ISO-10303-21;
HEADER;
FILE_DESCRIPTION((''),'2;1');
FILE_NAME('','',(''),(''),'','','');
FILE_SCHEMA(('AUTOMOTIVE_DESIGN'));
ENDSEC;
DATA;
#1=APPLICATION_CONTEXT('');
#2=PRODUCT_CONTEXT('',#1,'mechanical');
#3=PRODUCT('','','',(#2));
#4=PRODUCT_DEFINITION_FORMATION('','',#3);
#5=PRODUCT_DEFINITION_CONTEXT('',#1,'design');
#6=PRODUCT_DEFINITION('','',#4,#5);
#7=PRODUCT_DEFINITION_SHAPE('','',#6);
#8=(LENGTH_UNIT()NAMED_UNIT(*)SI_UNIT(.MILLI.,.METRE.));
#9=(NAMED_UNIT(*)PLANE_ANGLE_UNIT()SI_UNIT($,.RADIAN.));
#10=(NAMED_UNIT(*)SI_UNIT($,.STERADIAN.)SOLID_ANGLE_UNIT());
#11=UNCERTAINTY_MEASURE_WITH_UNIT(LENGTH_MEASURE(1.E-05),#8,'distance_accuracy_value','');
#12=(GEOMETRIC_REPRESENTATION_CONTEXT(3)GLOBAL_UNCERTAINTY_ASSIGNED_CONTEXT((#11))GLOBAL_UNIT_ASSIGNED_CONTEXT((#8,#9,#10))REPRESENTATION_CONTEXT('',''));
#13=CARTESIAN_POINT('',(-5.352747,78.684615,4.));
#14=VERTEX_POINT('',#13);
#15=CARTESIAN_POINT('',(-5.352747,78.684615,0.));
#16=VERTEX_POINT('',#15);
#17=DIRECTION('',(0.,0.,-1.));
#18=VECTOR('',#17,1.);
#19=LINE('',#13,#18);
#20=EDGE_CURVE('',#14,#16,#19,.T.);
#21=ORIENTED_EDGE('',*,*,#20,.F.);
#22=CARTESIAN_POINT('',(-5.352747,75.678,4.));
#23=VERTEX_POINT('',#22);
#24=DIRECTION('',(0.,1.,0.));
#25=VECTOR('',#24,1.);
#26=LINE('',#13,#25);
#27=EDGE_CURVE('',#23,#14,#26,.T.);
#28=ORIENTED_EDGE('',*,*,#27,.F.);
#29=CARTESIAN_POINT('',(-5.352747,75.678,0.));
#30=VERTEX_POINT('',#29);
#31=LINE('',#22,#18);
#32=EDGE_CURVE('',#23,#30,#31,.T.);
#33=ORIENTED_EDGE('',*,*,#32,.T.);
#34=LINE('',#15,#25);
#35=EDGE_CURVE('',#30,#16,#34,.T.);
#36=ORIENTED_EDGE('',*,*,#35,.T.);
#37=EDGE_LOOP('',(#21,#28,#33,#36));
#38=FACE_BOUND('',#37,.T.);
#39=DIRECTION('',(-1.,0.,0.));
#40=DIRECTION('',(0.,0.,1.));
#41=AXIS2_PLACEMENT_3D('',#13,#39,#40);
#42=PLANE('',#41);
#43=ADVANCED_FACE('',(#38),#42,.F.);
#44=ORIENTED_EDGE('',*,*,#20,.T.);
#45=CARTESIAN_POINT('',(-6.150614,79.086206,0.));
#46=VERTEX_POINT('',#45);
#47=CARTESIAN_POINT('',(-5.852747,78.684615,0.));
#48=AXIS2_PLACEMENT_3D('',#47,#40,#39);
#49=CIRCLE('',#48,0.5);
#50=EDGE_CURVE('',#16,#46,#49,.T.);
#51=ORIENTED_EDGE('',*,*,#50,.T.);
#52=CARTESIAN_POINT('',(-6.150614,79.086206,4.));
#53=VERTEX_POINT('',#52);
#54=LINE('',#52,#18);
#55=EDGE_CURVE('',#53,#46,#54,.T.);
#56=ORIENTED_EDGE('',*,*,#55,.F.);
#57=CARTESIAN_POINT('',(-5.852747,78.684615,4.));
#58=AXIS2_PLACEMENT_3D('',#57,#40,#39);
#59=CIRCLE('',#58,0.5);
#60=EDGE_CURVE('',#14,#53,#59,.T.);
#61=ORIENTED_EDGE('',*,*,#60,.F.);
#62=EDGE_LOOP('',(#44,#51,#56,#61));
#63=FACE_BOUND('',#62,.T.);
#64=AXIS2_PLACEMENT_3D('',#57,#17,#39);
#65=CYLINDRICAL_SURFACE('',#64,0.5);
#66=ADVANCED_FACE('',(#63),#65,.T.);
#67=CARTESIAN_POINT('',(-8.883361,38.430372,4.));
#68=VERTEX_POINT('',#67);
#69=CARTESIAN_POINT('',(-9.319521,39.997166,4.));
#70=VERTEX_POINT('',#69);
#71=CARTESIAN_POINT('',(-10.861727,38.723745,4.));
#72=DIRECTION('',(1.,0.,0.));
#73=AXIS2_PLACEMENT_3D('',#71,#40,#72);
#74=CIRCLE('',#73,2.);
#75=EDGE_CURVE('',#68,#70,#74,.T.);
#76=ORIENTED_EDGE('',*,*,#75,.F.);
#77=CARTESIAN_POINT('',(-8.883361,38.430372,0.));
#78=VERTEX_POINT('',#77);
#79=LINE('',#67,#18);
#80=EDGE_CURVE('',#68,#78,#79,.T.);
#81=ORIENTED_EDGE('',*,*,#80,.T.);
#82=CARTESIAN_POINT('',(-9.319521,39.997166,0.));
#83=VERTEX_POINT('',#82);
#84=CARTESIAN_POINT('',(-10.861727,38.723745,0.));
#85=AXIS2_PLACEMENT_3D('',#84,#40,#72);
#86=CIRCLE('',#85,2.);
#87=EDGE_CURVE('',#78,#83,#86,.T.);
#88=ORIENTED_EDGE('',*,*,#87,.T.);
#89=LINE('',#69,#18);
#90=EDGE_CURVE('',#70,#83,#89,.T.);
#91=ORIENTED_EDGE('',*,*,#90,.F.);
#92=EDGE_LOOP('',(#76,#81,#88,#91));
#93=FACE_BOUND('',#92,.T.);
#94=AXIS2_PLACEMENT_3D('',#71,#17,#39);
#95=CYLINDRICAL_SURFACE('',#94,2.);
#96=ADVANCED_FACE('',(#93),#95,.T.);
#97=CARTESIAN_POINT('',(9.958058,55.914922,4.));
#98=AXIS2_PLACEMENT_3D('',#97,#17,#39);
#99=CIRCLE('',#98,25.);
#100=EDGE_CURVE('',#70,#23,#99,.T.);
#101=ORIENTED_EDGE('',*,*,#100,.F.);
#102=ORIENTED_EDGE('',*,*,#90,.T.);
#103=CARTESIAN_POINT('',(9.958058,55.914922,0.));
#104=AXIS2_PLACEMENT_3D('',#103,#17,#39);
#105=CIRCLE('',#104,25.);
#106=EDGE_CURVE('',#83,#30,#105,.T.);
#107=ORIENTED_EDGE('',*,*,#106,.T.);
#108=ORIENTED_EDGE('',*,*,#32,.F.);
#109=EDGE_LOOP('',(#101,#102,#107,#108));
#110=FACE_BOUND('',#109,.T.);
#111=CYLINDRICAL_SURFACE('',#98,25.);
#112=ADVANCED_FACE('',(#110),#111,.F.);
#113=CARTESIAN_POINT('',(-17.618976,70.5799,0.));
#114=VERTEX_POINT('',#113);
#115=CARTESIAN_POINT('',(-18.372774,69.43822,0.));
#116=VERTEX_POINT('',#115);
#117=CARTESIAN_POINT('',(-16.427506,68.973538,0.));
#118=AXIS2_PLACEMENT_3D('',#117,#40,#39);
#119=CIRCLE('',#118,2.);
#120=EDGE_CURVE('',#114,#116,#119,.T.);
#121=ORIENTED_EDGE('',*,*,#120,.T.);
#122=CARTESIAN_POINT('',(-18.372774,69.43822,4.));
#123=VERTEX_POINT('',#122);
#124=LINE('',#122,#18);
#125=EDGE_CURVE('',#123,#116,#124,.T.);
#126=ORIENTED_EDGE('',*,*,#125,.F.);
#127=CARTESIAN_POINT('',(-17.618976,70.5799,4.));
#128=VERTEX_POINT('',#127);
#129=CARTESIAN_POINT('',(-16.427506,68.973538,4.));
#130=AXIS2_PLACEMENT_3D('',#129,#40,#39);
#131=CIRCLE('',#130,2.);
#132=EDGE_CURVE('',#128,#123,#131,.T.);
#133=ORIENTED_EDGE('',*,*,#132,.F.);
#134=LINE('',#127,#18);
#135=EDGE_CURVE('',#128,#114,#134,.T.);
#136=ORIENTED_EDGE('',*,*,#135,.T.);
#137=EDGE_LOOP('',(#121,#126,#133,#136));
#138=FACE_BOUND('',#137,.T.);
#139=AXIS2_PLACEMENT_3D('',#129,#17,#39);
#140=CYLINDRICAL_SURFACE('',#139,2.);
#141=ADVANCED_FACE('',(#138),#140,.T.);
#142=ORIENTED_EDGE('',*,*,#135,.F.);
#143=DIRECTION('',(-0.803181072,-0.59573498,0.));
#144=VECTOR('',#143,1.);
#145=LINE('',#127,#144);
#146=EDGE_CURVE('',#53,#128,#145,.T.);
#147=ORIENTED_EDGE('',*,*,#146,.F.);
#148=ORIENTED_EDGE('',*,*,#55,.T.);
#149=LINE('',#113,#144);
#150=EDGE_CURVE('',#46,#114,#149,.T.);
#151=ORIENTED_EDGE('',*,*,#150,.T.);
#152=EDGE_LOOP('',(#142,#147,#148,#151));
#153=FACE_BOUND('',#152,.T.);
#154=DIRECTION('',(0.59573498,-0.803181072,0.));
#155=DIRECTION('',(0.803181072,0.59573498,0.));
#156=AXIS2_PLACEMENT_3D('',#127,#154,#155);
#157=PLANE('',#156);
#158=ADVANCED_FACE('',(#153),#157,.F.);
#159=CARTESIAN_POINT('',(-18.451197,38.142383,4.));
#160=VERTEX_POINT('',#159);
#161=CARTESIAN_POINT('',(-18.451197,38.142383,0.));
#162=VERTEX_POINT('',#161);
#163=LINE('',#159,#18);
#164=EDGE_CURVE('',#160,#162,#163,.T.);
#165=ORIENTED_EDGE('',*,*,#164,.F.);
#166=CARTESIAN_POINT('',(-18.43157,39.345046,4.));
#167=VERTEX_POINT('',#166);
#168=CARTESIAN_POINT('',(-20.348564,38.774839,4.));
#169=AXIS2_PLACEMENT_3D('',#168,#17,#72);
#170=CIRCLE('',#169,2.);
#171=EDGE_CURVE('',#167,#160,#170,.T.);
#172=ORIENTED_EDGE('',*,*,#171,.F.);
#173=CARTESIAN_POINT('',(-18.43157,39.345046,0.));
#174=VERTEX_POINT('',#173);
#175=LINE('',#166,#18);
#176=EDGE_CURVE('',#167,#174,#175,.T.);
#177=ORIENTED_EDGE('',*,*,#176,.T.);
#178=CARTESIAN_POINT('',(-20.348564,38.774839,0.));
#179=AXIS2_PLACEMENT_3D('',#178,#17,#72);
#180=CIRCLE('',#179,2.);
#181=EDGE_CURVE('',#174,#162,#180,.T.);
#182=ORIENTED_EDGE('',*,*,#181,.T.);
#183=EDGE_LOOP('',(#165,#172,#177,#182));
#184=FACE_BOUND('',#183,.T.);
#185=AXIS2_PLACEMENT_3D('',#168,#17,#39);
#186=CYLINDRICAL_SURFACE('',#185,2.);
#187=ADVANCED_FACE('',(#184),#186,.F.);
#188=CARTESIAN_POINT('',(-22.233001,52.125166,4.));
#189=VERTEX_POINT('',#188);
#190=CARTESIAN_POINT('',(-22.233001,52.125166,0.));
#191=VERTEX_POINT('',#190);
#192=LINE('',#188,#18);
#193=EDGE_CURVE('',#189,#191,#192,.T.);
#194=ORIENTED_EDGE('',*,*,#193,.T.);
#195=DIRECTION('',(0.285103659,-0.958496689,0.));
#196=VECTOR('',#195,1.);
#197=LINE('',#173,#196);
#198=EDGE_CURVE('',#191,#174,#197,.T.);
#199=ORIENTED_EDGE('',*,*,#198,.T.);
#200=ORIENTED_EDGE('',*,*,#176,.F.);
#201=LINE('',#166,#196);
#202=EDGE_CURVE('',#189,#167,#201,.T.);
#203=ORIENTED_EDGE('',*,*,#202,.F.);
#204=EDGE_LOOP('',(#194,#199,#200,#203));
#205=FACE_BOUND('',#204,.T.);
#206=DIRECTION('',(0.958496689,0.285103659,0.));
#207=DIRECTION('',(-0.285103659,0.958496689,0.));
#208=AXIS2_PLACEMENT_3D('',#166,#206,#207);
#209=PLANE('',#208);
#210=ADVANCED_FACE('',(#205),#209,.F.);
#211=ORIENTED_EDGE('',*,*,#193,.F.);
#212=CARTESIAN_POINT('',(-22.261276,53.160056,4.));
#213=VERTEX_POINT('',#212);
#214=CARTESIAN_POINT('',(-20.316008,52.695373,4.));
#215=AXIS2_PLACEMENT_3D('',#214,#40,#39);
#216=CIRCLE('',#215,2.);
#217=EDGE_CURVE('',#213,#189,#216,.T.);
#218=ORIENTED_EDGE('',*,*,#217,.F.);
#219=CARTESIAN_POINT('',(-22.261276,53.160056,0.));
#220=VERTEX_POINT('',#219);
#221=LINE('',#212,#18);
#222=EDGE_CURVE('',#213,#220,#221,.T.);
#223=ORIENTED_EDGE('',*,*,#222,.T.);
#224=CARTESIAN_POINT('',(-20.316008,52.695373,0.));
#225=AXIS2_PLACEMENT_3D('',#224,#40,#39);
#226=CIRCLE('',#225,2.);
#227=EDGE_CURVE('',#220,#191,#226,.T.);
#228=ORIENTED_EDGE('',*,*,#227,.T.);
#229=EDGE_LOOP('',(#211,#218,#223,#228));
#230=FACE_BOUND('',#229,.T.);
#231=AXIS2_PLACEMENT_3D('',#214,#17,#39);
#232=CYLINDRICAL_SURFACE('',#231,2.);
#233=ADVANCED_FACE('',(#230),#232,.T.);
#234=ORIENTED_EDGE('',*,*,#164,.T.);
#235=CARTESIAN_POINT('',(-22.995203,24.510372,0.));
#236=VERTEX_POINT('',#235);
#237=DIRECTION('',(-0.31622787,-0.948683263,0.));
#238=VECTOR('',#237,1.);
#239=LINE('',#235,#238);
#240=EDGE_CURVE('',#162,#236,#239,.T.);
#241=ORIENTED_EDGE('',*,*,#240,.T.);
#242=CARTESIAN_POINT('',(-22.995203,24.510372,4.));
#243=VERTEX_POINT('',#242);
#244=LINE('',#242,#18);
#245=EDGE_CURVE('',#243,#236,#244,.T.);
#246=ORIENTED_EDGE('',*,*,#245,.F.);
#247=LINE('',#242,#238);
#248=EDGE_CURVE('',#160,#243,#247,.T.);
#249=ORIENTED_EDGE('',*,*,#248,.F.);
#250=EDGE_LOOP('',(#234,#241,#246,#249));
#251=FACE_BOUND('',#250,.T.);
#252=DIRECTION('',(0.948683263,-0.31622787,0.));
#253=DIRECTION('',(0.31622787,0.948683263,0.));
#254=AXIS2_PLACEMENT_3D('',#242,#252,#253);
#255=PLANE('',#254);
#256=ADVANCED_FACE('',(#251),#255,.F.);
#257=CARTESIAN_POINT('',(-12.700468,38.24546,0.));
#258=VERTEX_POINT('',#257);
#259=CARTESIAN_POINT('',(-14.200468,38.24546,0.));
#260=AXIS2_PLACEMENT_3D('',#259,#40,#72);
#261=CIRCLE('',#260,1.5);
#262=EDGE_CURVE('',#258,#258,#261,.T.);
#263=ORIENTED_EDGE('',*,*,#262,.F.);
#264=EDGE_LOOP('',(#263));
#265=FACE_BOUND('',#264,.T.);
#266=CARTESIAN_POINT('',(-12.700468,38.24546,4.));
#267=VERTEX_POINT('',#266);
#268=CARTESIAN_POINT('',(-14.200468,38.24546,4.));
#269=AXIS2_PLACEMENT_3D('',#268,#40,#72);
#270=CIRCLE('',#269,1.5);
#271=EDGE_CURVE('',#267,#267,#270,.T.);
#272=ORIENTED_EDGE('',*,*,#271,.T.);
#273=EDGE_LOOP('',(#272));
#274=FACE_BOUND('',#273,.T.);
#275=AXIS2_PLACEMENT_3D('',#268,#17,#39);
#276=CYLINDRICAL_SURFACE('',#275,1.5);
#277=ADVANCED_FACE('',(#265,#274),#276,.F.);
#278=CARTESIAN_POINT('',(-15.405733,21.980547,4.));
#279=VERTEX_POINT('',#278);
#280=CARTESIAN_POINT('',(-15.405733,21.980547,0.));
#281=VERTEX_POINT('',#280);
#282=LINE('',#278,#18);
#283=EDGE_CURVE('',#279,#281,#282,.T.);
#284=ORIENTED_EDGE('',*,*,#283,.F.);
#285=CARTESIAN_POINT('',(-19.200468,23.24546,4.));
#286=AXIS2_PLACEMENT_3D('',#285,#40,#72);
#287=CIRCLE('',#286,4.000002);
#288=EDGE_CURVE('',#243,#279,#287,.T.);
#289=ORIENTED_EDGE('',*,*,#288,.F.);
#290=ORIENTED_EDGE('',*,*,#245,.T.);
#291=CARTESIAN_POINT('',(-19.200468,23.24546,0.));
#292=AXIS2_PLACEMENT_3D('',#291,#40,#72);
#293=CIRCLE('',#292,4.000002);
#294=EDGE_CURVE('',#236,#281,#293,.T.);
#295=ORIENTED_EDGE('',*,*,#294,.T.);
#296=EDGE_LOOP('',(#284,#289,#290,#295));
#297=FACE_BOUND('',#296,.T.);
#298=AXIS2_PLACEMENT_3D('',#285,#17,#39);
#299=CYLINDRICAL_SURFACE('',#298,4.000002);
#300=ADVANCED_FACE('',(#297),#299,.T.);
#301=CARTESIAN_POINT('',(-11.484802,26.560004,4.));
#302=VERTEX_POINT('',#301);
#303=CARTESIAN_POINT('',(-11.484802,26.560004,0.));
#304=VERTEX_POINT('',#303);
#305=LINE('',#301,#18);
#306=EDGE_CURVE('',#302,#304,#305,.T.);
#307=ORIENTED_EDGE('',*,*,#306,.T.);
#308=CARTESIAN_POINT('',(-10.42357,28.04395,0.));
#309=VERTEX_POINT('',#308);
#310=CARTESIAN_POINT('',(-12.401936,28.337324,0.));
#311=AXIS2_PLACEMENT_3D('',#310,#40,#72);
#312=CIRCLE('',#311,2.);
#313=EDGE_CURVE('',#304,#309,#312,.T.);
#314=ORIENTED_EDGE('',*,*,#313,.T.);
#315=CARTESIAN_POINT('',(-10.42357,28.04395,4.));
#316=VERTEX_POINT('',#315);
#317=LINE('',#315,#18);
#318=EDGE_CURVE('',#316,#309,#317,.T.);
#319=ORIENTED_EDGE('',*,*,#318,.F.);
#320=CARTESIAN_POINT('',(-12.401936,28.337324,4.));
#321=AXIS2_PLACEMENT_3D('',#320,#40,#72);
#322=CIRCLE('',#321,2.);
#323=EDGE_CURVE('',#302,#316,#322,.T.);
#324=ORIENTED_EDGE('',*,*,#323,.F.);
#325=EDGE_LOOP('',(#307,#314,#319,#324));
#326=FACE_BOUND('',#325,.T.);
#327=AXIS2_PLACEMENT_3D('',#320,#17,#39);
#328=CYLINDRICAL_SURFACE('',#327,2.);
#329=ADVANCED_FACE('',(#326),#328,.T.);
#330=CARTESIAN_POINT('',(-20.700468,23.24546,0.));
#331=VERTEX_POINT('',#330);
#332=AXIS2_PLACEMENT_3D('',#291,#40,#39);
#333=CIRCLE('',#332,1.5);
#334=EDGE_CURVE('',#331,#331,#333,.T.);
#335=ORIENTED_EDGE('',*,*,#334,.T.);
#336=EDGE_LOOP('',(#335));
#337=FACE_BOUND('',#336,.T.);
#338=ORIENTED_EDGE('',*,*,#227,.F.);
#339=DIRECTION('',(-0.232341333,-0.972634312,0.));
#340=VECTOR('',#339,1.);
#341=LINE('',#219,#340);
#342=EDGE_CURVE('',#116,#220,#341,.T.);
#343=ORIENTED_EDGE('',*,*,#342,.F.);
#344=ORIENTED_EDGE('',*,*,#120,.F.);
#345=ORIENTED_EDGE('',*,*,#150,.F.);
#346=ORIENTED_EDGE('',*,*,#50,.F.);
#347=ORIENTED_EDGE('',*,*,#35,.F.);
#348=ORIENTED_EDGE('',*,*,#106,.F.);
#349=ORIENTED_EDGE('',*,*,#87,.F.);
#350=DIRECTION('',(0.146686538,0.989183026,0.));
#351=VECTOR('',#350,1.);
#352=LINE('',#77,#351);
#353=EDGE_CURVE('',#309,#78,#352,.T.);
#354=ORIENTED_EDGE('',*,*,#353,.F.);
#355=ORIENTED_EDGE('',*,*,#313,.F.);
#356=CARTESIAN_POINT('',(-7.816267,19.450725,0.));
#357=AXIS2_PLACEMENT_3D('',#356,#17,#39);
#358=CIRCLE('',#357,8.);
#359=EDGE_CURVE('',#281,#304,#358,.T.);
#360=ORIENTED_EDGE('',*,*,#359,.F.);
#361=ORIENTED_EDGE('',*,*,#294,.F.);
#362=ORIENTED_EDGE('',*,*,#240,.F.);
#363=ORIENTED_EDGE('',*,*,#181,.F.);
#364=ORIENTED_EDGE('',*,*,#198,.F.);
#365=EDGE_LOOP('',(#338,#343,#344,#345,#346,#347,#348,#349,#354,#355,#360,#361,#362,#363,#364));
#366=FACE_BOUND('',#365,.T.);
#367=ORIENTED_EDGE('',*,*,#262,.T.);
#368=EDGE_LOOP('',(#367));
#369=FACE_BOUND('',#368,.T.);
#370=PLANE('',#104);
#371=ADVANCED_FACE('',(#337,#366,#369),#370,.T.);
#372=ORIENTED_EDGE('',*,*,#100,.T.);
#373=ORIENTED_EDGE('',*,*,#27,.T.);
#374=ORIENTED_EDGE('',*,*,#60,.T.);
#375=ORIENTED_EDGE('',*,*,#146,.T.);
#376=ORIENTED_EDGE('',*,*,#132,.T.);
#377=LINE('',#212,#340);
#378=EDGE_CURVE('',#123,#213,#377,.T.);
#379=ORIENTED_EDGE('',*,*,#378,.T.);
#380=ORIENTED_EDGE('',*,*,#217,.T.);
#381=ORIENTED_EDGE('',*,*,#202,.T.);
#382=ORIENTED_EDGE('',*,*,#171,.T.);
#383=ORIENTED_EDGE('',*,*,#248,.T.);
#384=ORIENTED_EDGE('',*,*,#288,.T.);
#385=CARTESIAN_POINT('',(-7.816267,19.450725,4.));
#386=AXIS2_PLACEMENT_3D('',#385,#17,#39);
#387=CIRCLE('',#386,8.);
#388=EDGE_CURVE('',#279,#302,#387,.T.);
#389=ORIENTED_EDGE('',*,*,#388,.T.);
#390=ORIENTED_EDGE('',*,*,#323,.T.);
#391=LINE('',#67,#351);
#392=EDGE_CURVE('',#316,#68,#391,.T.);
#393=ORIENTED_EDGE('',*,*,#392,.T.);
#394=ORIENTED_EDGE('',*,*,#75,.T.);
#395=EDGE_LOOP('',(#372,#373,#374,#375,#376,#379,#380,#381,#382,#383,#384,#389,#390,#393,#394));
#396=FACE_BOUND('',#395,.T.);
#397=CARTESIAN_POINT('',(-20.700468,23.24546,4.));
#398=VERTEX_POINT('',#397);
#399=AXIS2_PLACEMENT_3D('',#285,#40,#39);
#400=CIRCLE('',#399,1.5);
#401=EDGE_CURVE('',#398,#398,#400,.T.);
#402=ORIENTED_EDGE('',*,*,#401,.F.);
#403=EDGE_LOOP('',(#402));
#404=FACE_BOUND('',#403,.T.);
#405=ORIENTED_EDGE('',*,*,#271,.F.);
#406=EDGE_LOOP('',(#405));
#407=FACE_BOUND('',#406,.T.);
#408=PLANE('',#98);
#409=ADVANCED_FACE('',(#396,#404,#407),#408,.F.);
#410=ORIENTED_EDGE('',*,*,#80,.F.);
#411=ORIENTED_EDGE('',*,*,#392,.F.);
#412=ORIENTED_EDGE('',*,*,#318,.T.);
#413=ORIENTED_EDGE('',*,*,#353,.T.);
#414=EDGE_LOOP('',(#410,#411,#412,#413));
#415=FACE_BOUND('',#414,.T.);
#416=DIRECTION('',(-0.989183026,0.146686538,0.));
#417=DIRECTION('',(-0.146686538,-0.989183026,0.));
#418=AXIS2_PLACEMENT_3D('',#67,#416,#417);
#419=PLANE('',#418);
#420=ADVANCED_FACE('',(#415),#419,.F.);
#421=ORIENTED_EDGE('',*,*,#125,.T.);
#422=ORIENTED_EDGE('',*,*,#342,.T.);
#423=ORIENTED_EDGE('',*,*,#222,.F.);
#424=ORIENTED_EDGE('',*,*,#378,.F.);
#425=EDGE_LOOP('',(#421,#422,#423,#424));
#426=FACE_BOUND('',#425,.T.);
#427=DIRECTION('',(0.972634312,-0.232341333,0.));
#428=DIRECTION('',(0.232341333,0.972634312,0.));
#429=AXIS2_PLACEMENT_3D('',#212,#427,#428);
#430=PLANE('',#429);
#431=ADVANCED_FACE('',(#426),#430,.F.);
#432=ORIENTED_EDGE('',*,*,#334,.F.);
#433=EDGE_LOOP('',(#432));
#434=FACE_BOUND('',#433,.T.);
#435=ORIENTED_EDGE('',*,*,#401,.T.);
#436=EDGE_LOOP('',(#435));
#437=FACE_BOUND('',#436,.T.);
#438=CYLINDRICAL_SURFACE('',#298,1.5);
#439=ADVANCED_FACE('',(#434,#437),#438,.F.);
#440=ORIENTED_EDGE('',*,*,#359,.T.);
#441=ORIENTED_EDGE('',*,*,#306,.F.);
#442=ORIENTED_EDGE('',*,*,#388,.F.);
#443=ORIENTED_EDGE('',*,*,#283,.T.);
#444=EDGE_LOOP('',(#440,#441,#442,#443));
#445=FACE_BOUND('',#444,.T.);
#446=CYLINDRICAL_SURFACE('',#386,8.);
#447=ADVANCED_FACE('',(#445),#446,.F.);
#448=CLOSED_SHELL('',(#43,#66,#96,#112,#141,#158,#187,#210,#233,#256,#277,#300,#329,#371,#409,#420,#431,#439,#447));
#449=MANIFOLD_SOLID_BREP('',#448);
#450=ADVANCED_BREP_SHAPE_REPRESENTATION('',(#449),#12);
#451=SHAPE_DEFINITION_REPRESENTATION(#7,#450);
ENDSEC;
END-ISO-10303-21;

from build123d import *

# Parameters (mm, degrees)
SKETCH_1_R      = 1.5
EXTRUDE_1_DEPTH = 4


with BuildPart() as part:
    # 草图1 → 凸台-拉伸1 (new body)
    with BuildSketch(Plane.XY):
        with BuildLine():
            Line((-8.883361298, 38.430372232), (-10.42356995, 28.043950456))
            ThreePointArc((-10.42356995, 28.043950456), (-10.775128008, 27.17392517), (-11.484802252, 26.560003729))
            ThreePointArc((-11.484802252, 26.560003729), (-13.893149851, 24.653752275), (-15.405733358, 21.980547476))
            ThreePointArc((-15.405733358, 21.980547476), (-20.465380085, 19.450724806), (-22.995202754, 24.510371532))
            Line((-22.995202754, 24.510371532), (-18.451197233, 38.142383115))
            ThreePointArc((-18.451197233, 38.142383115), (-18.348830032, 38.742204214), (-18.431570381, 39.345046174))
            Line((-18.431570381, 39.345046174), (-22.233001172, 52.125165651))
            ThreePointArc((-22.233001172, 52.125165651), (-22.31526172, 52.64074939), (-22.261276417, 53.160055635))
            Line((-22.261276417, 53.160055635), (-18.372774426, 69.438220218))
            ThreePointArc((-18.372774426, 69.438220218), (-18.096529541, 70.075517478), (-17.618975762, 70.579899696))
            Line((-17.618975762, 70.579899696), (-6.150614111, 79.086205979))
            ThreePointArc((-6.150614111, 79.086205979), (-5.627950875, 79.131232586), (-5.352746621, 78.684615443))
            Line((-5.352746621, 78.684615443), (-5.352746621, 75.677999772))
            ThreePointArc((-5.352746621, 75.677999772), (-14.888864346, 58.677248629), (-9.31952103, 39.997165768))
            ThreePointArc((-9.31952103, 39.997165768), (-8.934989705, 39.260105305), (-8.883361298, 38.430372232))
        make_face()
        with Locations((-19.200468056, 23.245459504)):
            Circle(SKETCH_1_R, mode=Mode.SUBTRACT)
        with Locations((-14.200468056, 38.245459504)):
            Circle(SKETCH_1_R, mode=Mode.SUBTRACT)
    extrude(amount=EXTRUDE_1_DEPTH)


solid = part.part
